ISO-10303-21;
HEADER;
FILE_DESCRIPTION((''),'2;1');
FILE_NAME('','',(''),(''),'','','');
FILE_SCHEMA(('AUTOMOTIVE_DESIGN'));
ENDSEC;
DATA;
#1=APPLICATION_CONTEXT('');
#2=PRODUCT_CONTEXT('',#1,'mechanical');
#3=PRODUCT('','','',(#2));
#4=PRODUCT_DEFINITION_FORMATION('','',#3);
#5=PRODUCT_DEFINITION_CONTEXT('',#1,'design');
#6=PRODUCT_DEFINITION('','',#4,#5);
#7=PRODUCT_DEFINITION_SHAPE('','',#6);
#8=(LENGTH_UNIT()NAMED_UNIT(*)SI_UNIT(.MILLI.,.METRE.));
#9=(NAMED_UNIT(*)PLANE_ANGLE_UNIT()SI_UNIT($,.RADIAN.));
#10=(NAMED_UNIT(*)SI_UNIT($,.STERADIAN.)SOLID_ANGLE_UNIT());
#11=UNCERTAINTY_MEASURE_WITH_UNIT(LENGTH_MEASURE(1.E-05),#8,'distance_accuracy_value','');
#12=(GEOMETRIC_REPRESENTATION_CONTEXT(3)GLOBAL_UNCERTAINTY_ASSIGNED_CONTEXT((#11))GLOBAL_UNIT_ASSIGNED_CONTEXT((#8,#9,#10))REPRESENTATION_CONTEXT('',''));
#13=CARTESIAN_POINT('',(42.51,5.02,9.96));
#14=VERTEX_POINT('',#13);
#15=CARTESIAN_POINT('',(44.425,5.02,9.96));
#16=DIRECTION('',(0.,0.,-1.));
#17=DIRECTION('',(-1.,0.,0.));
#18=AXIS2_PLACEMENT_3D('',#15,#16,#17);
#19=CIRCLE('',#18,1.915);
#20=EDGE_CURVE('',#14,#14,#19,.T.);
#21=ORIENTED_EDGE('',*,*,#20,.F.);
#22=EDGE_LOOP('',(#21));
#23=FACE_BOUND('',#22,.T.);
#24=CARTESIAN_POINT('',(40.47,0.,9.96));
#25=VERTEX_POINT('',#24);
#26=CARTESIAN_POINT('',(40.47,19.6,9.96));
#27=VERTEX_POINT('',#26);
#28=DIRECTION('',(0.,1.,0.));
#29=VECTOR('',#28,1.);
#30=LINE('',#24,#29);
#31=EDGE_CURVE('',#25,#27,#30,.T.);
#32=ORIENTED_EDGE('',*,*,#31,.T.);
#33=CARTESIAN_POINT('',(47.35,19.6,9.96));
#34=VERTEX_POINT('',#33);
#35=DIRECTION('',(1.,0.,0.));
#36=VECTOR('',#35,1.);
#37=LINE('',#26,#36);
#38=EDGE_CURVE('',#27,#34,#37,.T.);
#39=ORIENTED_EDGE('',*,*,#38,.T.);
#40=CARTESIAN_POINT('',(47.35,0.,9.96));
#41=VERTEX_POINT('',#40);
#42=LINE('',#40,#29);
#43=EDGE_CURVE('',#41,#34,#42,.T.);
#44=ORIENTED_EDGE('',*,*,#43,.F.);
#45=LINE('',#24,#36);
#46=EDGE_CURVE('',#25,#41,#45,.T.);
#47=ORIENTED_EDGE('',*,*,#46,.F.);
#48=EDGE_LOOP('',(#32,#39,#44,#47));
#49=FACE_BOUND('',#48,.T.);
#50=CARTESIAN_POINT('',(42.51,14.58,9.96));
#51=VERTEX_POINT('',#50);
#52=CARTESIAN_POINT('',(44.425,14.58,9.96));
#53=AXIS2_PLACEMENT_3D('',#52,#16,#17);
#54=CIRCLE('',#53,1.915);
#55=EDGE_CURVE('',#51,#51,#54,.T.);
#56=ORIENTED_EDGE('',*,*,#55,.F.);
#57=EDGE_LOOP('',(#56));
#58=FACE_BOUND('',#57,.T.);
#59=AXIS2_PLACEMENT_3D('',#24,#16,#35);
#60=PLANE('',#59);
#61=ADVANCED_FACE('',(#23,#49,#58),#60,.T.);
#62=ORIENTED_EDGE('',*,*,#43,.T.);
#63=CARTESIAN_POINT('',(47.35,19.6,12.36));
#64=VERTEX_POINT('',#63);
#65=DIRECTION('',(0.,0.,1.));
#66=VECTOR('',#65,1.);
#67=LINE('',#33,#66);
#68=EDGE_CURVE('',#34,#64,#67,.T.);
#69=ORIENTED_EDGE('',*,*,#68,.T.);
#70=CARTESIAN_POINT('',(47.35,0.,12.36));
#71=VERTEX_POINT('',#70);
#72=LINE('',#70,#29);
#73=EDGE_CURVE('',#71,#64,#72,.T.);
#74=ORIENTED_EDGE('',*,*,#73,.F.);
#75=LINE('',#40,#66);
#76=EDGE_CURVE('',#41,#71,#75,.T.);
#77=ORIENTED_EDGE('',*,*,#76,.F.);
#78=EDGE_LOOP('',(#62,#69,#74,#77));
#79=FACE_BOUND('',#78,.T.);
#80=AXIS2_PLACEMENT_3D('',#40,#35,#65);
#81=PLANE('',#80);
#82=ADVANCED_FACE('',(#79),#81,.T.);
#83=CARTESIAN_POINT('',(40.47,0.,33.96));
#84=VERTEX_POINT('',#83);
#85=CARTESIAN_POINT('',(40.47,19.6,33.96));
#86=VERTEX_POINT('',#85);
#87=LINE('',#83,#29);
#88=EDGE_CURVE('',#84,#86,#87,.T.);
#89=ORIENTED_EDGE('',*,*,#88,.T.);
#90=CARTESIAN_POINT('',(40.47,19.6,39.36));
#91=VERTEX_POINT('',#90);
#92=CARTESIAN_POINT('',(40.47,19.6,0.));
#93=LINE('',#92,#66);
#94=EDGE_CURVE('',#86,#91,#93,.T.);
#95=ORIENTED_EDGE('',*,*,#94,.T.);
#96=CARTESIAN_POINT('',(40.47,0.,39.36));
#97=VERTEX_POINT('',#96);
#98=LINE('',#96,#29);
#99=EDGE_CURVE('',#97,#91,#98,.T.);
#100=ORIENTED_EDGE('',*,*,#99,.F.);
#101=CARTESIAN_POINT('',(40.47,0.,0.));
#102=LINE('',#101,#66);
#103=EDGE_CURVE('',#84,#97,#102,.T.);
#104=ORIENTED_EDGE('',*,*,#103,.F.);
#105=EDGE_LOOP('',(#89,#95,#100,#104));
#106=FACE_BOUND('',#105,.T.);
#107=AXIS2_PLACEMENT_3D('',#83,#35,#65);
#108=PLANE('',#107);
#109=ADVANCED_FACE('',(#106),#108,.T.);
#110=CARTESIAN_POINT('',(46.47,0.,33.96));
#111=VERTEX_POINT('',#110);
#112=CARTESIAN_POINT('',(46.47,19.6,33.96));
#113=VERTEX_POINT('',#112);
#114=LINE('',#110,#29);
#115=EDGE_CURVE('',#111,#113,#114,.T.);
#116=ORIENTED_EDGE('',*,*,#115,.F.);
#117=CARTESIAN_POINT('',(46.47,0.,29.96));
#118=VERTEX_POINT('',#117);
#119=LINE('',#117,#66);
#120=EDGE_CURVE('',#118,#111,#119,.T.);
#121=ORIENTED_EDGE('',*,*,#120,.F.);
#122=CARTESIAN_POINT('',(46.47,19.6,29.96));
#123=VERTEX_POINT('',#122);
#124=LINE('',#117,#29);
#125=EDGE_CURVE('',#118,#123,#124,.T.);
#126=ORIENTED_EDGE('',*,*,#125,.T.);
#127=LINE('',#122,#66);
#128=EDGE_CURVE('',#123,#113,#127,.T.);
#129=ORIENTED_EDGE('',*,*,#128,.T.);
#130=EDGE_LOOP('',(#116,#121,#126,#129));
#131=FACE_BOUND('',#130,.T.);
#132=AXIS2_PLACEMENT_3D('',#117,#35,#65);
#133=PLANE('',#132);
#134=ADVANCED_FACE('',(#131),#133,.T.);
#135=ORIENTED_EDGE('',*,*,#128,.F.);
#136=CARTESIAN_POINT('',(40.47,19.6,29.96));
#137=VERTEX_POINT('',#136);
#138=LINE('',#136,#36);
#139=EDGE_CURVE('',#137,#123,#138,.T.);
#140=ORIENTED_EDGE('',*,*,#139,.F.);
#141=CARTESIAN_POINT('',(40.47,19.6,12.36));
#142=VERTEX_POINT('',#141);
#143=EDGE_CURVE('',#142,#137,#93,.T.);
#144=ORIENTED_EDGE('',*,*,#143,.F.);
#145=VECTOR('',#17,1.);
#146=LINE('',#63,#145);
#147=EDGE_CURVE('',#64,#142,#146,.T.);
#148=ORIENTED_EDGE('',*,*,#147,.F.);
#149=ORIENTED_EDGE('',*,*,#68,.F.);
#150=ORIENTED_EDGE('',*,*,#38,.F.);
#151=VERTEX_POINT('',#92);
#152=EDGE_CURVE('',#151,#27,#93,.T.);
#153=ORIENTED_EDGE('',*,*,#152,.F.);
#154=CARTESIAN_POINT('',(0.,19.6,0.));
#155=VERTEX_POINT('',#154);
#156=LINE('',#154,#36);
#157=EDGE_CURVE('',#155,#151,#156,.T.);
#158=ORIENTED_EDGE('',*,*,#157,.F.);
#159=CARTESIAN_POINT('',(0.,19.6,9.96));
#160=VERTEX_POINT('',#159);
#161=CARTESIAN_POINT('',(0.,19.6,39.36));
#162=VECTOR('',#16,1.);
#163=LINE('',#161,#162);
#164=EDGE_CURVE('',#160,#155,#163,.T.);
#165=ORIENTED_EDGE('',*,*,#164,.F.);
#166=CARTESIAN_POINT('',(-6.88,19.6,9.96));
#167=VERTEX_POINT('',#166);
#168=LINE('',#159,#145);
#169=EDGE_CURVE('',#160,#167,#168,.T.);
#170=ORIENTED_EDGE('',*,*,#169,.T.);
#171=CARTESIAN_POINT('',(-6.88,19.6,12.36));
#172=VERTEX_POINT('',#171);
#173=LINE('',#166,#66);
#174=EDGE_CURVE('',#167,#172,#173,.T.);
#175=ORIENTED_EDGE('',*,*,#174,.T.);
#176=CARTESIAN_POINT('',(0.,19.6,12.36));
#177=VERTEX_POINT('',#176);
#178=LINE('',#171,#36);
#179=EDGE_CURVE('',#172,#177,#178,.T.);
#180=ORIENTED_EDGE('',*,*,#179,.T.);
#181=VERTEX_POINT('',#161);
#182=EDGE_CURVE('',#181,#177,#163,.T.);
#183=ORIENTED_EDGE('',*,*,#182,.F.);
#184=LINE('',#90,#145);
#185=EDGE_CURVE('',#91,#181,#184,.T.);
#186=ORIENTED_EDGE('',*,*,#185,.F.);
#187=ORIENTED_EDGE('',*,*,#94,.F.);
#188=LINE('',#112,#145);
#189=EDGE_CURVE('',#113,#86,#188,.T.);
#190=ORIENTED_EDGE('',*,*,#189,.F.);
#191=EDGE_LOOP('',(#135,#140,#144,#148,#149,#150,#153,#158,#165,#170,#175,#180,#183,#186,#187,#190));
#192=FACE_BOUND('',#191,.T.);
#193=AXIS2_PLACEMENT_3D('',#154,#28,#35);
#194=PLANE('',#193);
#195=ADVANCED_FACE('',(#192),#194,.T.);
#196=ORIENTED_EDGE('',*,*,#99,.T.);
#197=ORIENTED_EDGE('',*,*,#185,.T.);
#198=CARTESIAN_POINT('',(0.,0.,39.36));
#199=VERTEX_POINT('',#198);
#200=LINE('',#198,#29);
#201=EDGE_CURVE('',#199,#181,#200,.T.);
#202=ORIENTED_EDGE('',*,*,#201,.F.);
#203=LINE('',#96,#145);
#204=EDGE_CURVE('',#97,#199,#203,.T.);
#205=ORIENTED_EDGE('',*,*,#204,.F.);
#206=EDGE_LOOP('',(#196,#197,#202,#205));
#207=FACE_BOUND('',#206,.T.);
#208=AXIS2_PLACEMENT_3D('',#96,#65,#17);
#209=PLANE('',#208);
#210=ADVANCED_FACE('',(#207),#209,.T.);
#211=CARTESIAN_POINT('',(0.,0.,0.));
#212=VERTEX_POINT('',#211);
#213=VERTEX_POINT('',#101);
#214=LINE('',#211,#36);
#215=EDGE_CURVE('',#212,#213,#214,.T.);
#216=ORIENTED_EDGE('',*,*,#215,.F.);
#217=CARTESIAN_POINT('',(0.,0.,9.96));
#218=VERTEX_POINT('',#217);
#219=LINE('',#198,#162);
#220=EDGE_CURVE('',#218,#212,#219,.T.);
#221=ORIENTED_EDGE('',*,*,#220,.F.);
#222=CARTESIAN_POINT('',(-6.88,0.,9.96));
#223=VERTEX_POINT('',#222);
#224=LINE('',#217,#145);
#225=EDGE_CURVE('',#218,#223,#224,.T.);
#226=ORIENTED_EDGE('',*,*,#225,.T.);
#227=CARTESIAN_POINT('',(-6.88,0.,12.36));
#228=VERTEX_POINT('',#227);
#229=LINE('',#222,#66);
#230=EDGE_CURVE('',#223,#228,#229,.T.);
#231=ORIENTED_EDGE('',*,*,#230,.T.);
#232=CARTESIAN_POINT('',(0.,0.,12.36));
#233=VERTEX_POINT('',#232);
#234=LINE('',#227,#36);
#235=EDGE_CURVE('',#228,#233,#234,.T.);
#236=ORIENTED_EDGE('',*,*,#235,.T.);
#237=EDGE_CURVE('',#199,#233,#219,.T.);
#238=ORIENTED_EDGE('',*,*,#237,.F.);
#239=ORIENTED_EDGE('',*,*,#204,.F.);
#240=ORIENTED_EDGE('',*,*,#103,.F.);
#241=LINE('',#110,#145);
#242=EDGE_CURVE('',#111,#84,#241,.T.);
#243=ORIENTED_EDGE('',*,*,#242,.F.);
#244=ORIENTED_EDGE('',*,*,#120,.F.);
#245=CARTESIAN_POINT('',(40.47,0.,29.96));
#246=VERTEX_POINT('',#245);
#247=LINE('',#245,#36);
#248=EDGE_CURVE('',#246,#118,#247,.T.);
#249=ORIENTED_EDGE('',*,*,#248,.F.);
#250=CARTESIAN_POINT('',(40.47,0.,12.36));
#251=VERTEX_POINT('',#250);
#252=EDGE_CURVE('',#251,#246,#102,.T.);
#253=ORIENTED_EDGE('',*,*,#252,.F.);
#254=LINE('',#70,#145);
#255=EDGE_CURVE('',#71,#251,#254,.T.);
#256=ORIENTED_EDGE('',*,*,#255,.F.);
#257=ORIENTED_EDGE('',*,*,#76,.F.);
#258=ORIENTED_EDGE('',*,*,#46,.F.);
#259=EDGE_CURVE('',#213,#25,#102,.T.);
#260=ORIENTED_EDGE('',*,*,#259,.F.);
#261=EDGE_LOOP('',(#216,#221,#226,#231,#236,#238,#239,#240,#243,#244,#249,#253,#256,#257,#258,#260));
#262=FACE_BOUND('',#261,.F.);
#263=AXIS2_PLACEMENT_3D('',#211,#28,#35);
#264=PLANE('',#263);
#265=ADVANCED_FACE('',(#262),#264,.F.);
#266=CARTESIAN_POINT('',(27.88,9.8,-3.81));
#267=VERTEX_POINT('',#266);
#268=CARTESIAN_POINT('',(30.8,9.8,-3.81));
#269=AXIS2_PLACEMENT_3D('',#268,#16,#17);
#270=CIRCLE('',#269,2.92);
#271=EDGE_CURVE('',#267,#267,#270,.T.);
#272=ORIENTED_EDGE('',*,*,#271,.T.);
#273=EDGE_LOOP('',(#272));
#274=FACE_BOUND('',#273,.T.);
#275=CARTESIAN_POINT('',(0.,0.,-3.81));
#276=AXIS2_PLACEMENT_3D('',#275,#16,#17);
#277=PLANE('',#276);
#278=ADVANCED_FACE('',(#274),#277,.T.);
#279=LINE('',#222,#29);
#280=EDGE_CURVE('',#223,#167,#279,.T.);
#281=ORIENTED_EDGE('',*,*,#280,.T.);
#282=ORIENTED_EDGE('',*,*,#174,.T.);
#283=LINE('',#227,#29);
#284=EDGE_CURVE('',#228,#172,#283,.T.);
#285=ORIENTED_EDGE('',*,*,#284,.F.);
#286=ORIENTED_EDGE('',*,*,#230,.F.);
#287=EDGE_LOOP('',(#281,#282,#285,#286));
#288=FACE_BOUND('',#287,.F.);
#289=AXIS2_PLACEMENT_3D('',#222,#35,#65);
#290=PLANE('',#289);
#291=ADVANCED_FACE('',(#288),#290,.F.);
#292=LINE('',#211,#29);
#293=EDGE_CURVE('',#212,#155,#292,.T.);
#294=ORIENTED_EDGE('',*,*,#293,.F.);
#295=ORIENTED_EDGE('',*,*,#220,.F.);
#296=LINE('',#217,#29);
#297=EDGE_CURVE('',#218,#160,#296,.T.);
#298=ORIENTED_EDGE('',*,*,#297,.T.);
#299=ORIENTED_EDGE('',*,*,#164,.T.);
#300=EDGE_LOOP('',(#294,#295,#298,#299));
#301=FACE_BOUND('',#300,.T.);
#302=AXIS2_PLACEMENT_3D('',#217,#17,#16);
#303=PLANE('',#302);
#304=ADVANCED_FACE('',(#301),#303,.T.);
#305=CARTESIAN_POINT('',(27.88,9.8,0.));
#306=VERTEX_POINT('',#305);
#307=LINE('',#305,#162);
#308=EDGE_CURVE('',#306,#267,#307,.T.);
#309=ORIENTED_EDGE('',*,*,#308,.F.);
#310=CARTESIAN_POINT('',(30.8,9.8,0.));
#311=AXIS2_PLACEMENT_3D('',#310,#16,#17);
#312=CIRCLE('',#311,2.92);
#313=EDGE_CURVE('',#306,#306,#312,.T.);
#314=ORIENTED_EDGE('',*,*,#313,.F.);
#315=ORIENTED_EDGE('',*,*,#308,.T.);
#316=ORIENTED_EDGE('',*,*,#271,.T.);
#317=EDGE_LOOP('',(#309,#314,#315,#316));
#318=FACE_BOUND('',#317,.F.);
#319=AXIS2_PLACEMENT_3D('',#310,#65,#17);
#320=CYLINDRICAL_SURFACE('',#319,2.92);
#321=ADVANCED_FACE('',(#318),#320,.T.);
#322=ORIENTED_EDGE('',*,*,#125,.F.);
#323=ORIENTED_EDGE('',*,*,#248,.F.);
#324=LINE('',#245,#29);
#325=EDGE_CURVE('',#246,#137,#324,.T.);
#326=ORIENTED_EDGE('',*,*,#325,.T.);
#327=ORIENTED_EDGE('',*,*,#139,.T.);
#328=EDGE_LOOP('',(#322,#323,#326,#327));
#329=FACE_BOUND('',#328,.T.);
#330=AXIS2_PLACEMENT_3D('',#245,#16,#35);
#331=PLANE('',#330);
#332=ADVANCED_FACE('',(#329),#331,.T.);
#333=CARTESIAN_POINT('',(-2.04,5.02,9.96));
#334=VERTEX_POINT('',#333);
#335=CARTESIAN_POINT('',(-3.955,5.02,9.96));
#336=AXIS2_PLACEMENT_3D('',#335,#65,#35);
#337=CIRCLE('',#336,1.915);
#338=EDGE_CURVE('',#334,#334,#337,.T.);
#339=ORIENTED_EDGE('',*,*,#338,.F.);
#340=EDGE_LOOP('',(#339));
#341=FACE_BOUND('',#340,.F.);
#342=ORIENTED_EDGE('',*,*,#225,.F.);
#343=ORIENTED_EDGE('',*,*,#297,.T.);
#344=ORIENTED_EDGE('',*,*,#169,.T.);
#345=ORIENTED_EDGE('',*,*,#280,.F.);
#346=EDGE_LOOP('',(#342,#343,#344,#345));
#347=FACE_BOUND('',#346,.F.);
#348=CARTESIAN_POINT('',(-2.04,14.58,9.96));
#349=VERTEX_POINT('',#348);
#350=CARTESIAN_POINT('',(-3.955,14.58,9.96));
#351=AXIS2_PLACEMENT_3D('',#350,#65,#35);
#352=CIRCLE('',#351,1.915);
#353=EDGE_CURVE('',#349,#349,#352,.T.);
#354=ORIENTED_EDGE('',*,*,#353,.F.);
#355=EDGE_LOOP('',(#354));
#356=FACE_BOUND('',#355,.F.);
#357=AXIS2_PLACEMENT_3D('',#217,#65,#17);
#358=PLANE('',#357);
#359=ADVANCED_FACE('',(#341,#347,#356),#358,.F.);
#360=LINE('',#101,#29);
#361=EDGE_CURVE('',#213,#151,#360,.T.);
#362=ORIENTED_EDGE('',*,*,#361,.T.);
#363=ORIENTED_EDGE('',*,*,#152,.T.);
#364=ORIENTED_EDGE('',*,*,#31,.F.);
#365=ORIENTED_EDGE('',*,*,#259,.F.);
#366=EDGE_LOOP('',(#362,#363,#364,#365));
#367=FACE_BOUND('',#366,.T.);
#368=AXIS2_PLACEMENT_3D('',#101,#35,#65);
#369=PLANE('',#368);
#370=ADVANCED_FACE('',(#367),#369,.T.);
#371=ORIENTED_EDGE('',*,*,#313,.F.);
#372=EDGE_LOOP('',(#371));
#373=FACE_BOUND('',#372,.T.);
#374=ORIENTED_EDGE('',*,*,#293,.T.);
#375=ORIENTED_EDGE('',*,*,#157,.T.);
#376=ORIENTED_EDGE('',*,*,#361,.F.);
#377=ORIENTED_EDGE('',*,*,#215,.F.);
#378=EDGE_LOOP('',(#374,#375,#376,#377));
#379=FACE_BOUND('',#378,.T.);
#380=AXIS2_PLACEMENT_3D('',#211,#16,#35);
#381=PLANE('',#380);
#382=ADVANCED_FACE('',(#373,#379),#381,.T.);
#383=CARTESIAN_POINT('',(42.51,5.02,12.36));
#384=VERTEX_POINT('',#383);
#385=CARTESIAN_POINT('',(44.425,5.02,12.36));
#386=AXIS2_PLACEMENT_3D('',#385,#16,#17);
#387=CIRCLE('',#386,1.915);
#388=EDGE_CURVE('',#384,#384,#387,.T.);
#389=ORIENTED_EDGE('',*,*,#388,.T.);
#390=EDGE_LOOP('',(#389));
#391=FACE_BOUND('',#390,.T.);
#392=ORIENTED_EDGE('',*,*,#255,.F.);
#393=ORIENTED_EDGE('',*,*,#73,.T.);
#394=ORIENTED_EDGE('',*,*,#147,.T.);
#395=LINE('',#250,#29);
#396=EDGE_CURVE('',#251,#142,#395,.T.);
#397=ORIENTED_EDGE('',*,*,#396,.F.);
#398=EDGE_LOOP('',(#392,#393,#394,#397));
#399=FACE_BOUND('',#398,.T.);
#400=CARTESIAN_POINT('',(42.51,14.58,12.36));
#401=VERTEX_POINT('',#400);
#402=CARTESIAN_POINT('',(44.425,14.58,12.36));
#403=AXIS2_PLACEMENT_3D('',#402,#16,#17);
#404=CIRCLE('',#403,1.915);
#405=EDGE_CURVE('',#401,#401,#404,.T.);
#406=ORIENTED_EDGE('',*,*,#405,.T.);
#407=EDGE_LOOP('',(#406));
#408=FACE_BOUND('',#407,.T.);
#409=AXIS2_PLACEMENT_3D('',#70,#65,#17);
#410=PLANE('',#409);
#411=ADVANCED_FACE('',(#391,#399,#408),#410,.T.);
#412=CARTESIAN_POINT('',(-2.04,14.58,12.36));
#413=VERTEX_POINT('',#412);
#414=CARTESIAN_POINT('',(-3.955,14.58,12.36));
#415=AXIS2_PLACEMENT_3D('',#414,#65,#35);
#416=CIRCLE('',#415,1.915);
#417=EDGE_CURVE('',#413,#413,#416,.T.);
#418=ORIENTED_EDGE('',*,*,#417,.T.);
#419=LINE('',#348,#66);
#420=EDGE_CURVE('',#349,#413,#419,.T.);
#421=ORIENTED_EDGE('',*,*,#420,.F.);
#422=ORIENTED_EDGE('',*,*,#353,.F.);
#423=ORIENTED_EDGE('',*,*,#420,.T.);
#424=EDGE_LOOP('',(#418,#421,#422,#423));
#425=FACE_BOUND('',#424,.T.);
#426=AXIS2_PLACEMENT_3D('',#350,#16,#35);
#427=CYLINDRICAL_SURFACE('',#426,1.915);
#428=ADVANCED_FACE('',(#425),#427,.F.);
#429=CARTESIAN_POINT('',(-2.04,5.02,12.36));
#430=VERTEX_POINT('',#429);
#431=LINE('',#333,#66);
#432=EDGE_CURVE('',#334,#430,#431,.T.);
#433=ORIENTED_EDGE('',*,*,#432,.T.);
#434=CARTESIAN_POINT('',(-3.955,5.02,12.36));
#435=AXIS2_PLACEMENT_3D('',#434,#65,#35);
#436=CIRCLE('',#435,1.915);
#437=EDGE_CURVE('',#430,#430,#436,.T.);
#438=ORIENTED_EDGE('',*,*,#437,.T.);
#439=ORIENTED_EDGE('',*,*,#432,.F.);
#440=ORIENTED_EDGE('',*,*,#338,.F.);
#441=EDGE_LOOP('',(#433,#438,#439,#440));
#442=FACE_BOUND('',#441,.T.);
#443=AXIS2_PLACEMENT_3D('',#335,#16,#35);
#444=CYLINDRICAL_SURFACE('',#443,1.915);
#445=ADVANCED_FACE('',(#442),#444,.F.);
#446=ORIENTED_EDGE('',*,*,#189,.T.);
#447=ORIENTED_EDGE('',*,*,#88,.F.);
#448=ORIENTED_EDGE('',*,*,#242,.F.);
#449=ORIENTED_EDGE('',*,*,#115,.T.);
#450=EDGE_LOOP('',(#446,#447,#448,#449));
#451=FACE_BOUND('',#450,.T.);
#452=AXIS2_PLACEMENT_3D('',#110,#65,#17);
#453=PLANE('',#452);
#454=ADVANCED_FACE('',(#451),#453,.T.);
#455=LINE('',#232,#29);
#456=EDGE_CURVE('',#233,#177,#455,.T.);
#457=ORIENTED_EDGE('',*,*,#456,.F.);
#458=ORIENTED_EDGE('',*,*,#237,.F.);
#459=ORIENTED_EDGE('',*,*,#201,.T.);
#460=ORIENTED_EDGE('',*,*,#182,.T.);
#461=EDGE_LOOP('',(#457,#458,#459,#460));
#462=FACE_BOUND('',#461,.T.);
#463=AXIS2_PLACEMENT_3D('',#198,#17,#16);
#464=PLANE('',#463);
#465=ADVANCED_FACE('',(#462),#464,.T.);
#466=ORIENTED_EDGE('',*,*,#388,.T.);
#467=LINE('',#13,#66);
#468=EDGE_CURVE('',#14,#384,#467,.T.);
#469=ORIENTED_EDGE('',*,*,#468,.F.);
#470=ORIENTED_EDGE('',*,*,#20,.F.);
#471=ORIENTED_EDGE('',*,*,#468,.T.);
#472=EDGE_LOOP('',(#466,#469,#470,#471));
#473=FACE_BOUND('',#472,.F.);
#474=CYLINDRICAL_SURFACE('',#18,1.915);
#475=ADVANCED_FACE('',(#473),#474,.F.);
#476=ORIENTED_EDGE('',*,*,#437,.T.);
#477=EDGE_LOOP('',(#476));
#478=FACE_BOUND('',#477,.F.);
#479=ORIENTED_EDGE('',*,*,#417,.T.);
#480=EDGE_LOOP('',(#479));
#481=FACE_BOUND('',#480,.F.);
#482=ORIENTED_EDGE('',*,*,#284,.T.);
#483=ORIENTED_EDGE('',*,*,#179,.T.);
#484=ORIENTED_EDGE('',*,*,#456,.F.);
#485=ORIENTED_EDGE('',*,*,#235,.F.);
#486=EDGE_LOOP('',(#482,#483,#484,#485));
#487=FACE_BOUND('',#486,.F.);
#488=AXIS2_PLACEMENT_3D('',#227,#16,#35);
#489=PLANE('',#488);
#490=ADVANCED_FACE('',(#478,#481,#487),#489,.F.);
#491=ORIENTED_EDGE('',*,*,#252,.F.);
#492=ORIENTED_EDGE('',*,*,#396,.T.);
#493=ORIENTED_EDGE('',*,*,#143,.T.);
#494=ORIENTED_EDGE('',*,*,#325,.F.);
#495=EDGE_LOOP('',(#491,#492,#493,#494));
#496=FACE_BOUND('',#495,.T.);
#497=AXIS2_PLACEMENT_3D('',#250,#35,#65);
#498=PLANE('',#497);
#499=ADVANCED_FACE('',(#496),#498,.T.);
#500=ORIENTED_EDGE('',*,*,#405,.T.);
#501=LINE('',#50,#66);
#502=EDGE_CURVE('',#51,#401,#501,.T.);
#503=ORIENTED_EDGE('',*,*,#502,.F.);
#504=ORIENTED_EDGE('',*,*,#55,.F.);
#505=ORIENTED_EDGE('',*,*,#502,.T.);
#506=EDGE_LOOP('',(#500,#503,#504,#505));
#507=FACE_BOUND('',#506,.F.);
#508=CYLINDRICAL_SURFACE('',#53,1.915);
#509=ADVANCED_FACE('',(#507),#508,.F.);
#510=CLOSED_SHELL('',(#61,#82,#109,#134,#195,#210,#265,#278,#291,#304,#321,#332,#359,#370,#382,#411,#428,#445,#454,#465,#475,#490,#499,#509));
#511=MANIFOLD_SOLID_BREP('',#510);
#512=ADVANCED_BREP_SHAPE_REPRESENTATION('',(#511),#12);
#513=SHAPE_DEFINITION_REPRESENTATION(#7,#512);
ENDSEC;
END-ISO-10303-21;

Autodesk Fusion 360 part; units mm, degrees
sketch "Sketch1" plane through (0, 0, 0) normal (0, 1, 0) x (1, 0, 0)
  line L0 (0, 0) -> (40.47, 0)
  line L1 (40.47, 0) -> (40.47, -39.36)
  line L2 (40.47, -39.36) -> (0, -39.36)
  line L3 (0, -39.36) -> (0, 0)
  line L4 (40.47, -9.96) -> (47.35, -9.96)
  line L5 (47.35, -9.96) -> (47.35, -12.36)
  line L6 (47.35, -12.36) -> (40.47, -12.36)
  line L7 (40.47, -29.96) -> (46.47, -29.96)
  line L8 (46.47, -29.96) -> (46.47, -33.96)
  line L9 (46.47, -33.96) -> (40.47, -33.96)
  line L10 (20.235, 0) -> (20.235, -39.36) construction
  line L11 (0, -9.96) -> (-6.88, -9.96)
  line L12 (-6.88, -9.96) -> (-6.88, -12.36)
  line L13 (-6.88, -12.36) -> (0, -12.36)
  dimension "d1" = 40.47
  dimension "d2" = 39.36
  dimension "d3" = 6.88
  dimension "d4" = 2.4
  dimension "d5" = 27
  dimension "d6" = 6
  dimension "d7" = 4
  dimension "d8" = 5.4
extrude "Extrude1" add sketch "Sketch1" along normal blind 19.6
sketch "Sketch2" plane through (0, 0, 0) normal (0, 0, -1) x (-1, 0, 0)
  line L0 (-40.47, 0) -> (0, 0)
  line L1 (0, 0) -> (0, 19.6)
  line L2 (0, 19.6) -> (-40.47, 19.6)
  line L3 (-40.47, 19.6) -> (-40.47, 0)
  circle A0 centre (-30.8, 9.8) radius 2.92
  line L4 (0, 9.8) -> (-40.47, 9.8) construction
  dimension "d11" = 5.84
  dimension "d12" = 9.67
extrude "Extrude2" add sketch "Sketch2" along normal blind 3.81 contours A0
sketch "Sketch3" plane through (0, 0, 9.96) normal (0, 0, -1) x (-1, 0, 0)
  line L0 (-47.35, 0) -> (-40.47, 0)
  line L1 (-40.47, 0) -> (-40.47, 19.6)
  line L2 (-40.47, 19.6) -> (-47.35, 19.6)
  line L3 (-47.35, 19.6) -> (-47.35, 0)
  circle A0 centre (-44.425, 14.58) radius 1.915
  circle A1 centre (-44.425, 5.02) radius 1.915
  line L4 (-40.47, 9.8) -> (-47.35, 9.8) construction
  line L5 (-40.47, 0) -> (-40.47, 19.6)
  line L6 (0, 0) -> (0, 19.6)
  line L7 (0, 0) -> (-40.47, 0)
  line L8 (-40.47, 19.6) -> (0, 19.6)
  line L9 (-20.235, 19.6) -> (-20.235, 0) construction
  dimension "d15" = 3.83
  dimension "d16" = 3.83
  dimension "d17" = 9.56
  dimension "d19" = 2.925
extrude "Extrude3" cut sketch "Sketch3" against normal up to surface (2.4 mm away) contours A0 | A1
ref_plane "WorkPlane1" through (20.235, 9.8, 4.98) normal (-1, 0, 0) x (0, 0, 1)
mirror "Mirror1" about plane through (20.235, 9.8, 4.98) normal (-1, 0, 0) of "Extrude3"
